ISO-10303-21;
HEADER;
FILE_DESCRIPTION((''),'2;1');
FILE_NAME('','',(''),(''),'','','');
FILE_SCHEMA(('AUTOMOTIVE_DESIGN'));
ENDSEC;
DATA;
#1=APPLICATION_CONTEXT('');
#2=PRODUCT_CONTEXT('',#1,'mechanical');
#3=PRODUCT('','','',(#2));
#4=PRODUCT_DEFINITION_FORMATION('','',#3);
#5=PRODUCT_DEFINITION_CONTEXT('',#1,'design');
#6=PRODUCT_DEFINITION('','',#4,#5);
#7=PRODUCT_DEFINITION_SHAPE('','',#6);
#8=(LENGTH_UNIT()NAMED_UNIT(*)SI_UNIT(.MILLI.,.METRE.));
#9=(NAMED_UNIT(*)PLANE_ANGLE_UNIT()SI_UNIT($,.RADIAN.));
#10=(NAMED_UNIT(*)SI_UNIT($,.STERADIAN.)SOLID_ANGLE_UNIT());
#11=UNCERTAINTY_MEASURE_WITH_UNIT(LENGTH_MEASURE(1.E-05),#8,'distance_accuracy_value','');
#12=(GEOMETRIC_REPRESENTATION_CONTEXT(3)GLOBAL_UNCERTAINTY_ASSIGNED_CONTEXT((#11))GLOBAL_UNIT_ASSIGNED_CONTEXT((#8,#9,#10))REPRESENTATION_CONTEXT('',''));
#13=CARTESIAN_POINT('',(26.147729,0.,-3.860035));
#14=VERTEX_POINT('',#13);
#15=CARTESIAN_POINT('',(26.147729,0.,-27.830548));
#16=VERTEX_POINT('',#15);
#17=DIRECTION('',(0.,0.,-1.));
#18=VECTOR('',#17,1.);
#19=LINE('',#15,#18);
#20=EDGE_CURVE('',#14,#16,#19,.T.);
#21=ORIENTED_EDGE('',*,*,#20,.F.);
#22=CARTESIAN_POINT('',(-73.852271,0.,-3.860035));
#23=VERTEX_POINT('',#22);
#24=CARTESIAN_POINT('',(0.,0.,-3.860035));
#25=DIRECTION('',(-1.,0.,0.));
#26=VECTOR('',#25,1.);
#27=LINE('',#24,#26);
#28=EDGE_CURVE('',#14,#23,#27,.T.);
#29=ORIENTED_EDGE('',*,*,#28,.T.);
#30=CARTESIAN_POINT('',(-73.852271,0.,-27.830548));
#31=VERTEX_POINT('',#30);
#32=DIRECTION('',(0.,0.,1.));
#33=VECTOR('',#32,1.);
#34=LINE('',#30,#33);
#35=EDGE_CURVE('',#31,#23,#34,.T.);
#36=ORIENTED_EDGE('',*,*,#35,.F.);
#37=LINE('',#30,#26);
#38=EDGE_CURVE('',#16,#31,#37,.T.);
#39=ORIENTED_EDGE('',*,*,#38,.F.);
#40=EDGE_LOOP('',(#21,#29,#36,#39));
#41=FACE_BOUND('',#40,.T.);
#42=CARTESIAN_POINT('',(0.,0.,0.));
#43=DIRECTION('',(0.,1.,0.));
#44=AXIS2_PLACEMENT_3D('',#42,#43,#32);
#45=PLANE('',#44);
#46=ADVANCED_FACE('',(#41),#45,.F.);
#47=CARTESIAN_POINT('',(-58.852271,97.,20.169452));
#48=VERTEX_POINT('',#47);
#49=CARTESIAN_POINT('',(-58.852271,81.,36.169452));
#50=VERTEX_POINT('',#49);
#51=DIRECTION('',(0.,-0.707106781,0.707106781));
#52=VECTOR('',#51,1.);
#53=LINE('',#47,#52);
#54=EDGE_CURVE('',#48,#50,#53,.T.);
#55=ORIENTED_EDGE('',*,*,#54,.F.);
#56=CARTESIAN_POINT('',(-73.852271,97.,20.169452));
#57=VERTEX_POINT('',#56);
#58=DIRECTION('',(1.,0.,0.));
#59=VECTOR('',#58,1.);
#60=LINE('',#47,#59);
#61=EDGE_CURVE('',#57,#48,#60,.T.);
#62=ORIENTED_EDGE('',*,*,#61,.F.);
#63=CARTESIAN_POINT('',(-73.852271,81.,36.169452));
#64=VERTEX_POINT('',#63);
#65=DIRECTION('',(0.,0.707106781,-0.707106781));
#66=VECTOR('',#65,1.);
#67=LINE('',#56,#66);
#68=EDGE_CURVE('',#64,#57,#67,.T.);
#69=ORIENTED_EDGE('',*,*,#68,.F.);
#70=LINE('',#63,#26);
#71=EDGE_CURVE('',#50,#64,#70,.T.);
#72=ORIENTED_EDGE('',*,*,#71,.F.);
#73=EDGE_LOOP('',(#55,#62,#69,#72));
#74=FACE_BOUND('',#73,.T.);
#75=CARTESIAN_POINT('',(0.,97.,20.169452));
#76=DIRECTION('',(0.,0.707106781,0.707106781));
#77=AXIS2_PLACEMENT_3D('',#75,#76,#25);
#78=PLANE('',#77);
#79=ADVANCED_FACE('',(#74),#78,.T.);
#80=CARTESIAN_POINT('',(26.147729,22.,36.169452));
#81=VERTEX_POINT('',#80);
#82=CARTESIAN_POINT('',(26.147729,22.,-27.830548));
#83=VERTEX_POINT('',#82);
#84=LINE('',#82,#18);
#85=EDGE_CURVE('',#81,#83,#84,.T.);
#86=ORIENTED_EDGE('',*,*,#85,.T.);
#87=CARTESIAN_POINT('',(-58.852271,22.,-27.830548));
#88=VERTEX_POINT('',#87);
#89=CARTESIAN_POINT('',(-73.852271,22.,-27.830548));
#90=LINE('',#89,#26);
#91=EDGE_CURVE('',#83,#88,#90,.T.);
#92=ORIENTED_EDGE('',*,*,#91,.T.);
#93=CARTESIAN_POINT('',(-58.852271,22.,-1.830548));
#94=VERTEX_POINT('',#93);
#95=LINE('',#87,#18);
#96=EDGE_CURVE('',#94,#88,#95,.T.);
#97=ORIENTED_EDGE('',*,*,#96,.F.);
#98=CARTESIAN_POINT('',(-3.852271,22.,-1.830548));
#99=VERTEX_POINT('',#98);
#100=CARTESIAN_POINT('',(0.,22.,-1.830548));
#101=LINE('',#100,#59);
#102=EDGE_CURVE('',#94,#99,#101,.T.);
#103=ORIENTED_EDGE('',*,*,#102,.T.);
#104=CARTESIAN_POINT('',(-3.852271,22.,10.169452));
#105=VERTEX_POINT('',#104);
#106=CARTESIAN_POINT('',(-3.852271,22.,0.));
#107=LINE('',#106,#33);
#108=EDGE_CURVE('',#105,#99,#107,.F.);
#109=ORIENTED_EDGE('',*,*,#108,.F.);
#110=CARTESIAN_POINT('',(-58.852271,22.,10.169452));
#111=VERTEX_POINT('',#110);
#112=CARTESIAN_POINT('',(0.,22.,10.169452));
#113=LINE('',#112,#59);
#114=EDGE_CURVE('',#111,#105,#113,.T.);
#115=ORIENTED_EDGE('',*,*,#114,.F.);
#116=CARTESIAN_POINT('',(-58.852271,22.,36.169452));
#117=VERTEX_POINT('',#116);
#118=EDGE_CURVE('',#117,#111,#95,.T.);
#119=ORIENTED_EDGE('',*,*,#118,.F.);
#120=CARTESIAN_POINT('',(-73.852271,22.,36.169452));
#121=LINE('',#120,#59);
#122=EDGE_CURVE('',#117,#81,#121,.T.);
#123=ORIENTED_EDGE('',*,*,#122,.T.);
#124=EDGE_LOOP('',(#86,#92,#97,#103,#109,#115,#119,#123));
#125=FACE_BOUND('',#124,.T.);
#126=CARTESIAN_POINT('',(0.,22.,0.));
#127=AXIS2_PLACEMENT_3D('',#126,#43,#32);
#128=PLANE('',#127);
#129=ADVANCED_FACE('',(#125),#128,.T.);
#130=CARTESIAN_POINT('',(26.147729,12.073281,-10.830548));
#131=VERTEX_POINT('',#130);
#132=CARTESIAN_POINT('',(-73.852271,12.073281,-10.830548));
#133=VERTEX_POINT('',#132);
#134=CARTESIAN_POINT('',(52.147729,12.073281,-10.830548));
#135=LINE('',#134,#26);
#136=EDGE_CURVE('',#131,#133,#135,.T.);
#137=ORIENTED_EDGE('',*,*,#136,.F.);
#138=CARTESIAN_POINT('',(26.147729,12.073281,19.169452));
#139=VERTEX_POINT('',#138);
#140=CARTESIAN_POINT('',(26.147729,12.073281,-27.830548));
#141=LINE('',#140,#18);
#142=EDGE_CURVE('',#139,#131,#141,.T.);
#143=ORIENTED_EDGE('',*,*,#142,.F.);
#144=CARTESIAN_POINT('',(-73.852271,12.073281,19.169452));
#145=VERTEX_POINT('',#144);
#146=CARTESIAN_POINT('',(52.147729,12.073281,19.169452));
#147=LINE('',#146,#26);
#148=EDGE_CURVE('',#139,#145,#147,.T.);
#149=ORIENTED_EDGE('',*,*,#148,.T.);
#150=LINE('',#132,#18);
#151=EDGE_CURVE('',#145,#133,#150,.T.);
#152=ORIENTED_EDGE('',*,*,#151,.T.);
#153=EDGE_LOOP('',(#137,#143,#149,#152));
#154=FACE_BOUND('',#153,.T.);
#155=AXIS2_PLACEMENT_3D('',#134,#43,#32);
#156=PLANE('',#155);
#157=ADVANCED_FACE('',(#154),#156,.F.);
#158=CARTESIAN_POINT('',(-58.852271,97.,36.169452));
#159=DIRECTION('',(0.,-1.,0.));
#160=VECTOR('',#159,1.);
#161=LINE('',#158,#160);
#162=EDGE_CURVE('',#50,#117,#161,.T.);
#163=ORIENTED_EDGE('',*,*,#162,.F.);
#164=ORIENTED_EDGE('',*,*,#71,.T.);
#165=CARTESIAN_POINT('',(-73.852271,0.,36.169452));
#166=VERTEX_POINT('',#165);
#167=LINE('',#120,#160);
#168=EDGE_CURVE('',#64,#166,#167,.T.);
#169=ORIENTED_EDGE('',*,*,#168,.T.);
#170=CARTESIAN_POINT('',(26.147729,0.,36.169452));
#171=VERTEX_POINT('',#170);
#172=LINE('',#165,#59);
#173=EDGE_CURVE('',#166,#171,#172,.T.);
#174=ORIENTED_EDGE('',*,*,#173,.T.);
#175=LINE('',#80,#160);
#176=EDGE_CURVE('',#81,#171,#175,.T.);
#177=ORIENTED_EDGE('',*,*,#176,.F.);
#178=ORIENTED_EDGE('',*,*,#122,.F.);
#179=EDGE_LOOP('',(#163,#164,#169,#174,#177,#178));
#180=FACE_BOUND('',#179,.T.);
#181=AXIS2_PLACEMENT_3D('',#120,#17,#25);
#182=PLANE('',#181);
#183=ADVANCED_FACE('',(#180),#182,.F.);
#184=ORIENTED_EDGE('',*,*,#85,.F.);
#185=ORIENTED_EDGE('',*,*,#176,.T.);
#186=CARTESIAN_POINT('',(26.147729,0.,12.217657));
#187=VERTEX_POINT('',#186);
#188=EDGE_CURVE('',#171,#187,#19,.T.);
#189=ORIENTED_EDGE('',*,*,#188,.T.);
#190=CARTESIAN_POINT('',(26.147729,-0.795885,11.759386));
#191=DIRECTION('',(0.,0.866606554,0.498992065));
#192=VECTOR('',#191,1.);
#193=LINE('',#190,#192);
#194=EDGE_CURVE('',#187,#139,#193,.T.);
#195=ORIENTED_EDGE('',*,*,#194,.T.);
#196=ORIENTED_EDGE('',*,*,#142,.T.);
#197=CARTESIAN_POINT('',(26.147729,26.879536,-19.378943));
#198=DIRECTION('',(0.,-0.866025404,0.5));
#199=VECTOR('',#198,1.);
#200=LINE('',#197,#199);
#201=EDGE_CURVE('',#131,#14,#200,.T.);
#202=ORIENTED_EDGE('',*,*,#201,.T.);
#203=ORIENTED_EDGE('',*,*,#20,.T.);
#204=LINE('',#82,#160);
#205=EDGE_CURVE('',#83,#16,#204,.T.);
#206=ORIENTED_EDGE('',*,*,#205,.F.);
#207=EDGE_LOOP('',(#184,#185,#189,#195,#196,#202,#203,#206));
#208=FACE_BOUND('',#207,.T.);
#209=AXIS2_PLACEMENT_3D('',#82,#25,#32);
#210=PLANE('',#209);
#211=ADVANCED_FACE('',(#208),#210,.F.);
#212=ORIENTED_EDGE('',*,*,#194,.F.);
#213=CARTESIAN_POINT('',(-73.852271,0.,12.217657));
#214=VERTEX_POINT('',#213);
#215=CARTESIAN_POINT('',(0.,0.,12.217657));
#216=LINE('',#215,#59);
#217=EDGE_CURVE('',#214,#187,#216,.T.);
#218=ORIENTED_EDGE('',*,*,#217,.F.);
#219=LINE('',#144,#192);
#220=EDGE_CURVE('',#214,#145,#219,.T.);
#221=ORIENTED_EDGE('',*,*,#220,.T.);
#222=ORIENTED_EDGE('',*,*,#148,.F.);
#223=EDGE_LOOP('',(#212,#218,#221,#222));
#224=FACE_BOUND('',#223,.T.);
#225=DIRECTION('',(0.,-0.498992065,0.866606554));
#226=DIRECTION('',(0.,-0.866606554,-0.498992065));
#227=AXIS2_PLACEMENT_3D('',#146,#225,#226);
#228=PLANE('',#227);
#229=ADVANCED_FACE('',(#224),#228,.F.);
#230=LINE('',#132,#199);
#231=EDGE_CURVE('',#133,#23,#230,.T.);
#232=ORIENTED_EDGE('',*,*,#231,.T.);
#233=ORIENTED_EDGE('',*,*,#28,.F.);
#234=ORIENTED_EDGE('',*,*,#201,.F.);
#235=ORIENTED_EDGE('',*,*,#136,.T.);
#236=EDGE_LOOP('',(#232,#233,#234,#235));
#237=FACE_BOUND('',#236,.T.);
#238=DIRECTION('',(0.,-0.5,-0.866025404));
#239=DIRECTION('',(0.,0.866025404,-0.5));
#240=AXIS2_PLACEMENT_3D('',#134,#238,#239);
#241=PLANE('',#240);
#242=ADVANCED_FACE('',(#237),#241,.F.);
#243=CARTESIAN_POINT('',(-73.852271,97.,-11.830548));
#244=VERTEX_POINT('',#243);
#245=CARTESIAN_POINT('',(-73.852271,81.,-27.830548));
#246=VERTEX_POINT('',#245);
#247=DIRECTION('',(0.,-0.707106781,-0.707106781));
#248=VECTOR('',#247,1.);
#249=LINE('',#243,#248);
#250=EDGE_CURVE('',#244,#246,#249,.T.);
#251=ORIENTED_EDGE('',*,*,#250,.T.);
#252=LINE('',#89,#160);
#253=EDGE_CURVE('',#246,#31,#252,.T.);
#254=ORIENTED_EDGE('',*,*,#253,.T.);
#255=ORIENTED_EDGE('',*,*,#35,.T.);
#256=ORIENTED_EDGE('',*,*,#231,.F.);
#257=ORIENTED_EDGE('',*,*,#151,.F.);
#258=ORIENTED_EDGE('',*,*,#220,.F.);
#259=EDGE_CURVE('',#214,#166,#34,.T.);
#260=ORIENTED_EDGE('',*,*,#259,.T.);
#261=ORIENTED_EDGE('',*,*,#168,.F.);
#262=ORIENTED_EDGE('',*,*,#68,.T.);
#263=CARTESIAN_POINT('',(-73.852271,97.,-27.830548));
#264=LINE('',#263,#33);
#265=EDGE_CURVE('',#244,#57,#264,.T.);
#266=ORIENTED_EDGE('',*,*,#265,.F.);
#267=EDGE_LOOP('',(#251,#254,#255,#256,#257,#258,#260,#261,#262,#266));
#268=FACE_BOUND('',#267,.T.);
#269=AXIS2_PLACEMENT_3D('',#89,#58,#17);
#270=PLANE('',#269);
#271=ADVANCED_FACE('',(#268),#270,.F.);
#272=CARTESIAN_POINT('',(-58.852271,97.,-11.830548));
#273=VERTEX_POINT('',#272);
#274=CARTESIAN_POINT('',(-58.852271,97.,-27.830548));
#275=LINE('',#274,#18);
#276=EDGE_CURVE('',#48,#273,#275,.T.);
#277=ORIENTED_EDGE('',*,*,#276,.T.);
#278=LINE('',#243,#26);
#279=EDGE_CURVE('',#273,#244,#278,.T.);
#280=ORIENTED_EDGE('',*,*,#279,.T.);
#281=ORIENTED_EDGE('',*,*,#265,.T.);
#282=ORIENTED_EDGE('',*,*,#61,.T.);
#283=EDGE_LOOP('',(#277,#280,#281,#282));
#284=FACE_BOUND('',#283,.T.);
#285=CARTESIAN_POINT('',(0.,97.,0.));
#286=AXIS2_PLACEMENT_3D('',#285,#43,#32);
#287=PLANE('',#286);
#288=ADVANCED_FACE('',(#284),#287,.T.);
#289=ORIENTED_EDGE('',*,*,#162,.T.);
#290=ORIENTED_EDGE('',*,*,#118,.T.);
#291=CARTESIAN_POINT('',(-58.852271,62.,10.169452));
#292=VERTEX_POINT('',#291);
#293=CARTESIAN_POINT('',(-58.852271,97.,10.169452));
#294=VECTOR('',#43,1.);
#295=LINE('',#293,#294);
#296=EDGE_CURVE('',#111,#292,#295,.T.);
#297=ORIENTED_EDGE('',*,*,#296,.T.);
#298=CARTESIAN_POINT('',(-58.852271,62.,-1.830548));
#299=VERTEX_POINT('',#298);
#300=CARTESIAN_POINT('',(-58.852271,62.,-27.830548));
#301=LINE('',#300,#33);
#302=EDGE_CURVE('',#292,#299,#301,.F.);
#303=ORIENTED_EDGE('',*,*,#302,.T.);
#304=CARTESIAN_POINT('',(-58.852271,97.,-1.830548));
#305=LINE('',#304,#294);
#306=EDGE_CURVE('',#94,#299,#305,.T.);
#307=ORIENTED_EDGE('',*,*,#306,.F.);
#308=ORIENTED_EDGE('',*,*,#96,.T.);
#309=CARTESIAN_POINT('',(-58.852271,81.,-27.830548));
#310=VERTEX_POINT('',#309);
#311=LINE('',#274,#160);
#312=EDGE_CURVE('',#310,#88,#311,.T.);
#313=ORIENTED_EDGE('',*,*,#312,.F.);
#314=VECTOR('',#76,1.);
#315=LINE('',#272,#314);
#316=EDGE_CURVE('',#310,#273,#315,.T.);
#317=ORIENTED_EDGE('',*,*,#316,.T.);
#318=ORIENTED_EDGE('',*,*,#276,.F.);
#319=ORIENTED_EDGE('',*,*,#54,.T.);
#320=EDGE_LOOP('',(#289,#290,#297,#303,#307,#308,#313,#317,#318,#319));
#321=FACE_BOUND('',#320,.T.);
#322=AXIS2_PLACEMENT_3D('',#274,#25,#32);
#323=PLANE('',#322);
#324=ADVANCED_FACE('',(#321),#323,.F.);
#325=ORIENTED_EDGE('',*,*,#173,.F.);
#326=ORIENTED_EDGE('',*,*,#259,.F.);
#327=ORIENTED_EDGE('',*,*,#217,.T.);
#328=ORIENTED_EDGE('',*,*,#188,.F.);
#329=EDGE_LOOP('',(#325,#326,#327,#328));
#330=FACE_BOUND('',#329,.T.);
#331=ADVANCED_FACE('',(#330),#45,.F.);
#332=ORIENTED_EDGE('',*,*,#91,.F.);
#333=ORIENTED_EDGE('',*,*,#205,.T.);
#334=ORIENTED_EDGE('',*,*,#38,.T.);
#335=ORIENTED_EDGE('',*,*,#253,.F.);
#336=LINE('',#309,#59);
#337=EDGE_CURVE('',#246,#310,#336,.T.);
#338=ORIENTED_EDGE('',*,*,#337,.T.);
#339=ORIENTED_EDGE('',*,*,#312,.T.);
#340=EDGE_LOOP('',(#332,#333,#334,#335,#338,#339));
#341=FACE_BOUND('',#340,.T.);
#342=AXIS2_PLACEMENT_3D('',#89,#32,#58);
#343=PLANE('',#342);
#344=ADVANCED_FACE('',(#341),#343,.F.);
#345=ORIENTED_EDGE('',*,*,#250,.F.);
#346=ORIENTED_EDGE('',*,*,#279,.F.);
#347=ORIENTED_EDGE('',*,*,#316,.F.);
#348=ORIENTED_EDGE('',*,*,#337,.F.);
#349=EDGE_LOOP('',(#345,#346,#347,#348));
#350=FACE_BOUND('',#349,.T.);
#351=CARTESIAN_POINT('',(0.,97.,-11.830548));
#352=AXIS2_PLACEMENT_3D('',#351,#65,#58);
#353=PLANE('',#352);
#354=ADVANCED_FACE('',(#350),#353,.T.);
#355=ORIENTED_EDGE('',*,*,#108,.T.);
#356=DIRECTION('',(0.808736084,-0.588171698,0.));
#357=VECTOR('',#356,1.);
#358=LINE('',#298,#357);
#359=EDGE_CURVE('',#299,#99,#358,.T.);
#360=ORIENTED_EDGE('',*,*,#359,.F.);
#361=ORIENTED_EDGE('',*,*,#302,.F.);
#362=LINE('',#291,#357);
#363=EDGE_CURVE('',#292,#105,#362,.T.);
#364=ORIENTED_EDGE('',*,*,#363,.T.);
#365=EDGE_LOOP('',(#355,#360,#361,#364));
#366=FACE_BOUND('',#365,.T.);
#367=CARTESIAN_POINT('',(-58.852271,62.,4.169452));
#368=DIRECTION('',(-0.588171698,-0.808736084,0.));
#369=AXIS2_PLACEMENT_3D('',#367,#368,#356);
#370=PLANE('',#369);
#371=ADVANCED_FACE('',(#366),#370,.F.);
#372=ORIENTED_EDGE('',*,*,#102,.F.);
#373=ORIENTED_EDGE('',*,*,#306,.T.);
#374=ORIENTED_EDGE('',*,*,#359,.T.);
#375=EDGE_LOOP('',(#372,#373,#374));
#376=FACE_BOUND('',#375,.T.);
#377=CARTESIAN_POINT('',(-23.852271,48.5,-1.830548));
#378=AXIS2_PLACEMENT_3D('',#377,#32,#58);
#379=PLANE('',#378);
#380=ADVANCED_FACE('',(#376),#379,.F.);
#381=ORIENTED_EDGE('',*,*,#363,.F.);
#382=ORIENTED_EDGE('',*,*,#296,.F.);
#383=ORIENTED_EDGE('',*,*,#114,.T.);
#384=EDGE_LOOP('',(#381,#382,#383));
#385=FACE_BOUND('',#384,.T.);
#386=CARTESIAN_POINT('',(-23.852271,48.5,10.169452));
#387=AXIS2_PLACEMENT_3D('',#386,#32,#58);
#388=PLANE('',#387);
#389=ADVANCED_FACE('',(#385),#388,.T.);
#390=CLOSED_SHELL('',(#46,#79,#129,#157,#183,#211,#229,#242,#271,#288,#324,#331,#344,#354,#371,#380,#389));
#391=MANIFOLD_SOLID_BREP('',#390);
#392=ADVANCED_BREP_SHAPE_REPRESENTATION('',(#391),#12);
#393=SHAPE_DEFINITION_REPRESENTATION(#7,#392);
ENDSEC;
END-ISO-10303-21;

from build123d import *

# Parameters (mm, degrees)
SKETCH2_W           = 100
SKETCH2_H           = 64
BOSS_EXTRUDE1_DEPTH = 22
CUT_EXTRUDE1_DEPTH  = 126
SKETCH4_W           = 15
SKETCH4_H           = 64
BOSS_EXTRUDE2_DEPTH = 75
CHAMFER1_SIZE       = 16
CHAMFER2_SIZE       = 16
RIB2_REACH          = 128.044
SKETCH10_WALL_W     = 322.09589175
SKETCH10_WALL_H     = 12


with BuildPart() as part:
    # Sketch2 → Boss-Extrude1 (new body)
    with BuildSketch(Plane(origin=(0, 0, 0), x_dir=(1, 0, 0), z_dir=(0, 1, 0))):
        with Locations((-23.852270783, -4.169452289)):
            Rectangle(SKETCH2_W, SKETCH2_H)
    extrude(amount=BOSS_EXTRUDE1_DEPTH)

    # Sketch3 → Cut-Extrude1 (cut)
    with BuildSketch(Plane.ZY.offset(73.852270783)):
        Polygon((19.169452289, 12.073281473), (12.217656655, 0), (-3.860035403, 0), (-10.830547711, 12.073281473), align=None)
    extrude(amount=-CUT_EXTRUDE1_DEPTH, mode=Mode.SUBTRACT)

    # Sketch4 → Boss-Extrude2 (add)
    with BuildSketch(Plane(origin=(0, 22, 0), x_dir=(1, 0, 0), z_dir=(0, 1, 0))):
        with Locations((-66.352270783, -4.169452289)):
            Rectangle(SKETCH4_W, SKETCH4_H)
    extrude(amount=BOSS_EXTRUDE2_DEPTH)

    # Chamfer1
    chamfer1_edges = [part.edges().sort_by_distance(p)[0] for p in [
        (-66.352270783, 97, 36.169452289),
    ]]
    chamfer(chamfer1_edges, length=CHAMFER1_SIZE)

    # Chamfer2
    chamfer2_edges = [part.edges().sort_by_distance(p)[0] for p in [
        (-66.352270783, 97, -27.830547711),
    ]]
    chamfer(chamfer2_edges, length=CHAMFER2_SIZE)

    # Sketch10 wall → Rib2 (add, up to next)
    with BuildSketch(Plane(origin=(-31.352270783, 42, 4.169452289), x_dir=(0.808736084303, -0.588171697675, 0), z_dir=(0.588171697675, 0.808736084303, 0)), mode=Mode.PRIVATE) as rib2_sk1:
        Rectangle(SKETCH10_WALL_W, SKETCH10_WALL_H)
    rib2_tool1 = extrude(rib2_sk1.sketch, amount=-RIB2_REACH, mode=Mode.PRIVATE) - part.part
    add(rib2_tool1.solids().sort_by_distance((-31.352270783, 42, 4.169452289))[0])


solid = part.part
